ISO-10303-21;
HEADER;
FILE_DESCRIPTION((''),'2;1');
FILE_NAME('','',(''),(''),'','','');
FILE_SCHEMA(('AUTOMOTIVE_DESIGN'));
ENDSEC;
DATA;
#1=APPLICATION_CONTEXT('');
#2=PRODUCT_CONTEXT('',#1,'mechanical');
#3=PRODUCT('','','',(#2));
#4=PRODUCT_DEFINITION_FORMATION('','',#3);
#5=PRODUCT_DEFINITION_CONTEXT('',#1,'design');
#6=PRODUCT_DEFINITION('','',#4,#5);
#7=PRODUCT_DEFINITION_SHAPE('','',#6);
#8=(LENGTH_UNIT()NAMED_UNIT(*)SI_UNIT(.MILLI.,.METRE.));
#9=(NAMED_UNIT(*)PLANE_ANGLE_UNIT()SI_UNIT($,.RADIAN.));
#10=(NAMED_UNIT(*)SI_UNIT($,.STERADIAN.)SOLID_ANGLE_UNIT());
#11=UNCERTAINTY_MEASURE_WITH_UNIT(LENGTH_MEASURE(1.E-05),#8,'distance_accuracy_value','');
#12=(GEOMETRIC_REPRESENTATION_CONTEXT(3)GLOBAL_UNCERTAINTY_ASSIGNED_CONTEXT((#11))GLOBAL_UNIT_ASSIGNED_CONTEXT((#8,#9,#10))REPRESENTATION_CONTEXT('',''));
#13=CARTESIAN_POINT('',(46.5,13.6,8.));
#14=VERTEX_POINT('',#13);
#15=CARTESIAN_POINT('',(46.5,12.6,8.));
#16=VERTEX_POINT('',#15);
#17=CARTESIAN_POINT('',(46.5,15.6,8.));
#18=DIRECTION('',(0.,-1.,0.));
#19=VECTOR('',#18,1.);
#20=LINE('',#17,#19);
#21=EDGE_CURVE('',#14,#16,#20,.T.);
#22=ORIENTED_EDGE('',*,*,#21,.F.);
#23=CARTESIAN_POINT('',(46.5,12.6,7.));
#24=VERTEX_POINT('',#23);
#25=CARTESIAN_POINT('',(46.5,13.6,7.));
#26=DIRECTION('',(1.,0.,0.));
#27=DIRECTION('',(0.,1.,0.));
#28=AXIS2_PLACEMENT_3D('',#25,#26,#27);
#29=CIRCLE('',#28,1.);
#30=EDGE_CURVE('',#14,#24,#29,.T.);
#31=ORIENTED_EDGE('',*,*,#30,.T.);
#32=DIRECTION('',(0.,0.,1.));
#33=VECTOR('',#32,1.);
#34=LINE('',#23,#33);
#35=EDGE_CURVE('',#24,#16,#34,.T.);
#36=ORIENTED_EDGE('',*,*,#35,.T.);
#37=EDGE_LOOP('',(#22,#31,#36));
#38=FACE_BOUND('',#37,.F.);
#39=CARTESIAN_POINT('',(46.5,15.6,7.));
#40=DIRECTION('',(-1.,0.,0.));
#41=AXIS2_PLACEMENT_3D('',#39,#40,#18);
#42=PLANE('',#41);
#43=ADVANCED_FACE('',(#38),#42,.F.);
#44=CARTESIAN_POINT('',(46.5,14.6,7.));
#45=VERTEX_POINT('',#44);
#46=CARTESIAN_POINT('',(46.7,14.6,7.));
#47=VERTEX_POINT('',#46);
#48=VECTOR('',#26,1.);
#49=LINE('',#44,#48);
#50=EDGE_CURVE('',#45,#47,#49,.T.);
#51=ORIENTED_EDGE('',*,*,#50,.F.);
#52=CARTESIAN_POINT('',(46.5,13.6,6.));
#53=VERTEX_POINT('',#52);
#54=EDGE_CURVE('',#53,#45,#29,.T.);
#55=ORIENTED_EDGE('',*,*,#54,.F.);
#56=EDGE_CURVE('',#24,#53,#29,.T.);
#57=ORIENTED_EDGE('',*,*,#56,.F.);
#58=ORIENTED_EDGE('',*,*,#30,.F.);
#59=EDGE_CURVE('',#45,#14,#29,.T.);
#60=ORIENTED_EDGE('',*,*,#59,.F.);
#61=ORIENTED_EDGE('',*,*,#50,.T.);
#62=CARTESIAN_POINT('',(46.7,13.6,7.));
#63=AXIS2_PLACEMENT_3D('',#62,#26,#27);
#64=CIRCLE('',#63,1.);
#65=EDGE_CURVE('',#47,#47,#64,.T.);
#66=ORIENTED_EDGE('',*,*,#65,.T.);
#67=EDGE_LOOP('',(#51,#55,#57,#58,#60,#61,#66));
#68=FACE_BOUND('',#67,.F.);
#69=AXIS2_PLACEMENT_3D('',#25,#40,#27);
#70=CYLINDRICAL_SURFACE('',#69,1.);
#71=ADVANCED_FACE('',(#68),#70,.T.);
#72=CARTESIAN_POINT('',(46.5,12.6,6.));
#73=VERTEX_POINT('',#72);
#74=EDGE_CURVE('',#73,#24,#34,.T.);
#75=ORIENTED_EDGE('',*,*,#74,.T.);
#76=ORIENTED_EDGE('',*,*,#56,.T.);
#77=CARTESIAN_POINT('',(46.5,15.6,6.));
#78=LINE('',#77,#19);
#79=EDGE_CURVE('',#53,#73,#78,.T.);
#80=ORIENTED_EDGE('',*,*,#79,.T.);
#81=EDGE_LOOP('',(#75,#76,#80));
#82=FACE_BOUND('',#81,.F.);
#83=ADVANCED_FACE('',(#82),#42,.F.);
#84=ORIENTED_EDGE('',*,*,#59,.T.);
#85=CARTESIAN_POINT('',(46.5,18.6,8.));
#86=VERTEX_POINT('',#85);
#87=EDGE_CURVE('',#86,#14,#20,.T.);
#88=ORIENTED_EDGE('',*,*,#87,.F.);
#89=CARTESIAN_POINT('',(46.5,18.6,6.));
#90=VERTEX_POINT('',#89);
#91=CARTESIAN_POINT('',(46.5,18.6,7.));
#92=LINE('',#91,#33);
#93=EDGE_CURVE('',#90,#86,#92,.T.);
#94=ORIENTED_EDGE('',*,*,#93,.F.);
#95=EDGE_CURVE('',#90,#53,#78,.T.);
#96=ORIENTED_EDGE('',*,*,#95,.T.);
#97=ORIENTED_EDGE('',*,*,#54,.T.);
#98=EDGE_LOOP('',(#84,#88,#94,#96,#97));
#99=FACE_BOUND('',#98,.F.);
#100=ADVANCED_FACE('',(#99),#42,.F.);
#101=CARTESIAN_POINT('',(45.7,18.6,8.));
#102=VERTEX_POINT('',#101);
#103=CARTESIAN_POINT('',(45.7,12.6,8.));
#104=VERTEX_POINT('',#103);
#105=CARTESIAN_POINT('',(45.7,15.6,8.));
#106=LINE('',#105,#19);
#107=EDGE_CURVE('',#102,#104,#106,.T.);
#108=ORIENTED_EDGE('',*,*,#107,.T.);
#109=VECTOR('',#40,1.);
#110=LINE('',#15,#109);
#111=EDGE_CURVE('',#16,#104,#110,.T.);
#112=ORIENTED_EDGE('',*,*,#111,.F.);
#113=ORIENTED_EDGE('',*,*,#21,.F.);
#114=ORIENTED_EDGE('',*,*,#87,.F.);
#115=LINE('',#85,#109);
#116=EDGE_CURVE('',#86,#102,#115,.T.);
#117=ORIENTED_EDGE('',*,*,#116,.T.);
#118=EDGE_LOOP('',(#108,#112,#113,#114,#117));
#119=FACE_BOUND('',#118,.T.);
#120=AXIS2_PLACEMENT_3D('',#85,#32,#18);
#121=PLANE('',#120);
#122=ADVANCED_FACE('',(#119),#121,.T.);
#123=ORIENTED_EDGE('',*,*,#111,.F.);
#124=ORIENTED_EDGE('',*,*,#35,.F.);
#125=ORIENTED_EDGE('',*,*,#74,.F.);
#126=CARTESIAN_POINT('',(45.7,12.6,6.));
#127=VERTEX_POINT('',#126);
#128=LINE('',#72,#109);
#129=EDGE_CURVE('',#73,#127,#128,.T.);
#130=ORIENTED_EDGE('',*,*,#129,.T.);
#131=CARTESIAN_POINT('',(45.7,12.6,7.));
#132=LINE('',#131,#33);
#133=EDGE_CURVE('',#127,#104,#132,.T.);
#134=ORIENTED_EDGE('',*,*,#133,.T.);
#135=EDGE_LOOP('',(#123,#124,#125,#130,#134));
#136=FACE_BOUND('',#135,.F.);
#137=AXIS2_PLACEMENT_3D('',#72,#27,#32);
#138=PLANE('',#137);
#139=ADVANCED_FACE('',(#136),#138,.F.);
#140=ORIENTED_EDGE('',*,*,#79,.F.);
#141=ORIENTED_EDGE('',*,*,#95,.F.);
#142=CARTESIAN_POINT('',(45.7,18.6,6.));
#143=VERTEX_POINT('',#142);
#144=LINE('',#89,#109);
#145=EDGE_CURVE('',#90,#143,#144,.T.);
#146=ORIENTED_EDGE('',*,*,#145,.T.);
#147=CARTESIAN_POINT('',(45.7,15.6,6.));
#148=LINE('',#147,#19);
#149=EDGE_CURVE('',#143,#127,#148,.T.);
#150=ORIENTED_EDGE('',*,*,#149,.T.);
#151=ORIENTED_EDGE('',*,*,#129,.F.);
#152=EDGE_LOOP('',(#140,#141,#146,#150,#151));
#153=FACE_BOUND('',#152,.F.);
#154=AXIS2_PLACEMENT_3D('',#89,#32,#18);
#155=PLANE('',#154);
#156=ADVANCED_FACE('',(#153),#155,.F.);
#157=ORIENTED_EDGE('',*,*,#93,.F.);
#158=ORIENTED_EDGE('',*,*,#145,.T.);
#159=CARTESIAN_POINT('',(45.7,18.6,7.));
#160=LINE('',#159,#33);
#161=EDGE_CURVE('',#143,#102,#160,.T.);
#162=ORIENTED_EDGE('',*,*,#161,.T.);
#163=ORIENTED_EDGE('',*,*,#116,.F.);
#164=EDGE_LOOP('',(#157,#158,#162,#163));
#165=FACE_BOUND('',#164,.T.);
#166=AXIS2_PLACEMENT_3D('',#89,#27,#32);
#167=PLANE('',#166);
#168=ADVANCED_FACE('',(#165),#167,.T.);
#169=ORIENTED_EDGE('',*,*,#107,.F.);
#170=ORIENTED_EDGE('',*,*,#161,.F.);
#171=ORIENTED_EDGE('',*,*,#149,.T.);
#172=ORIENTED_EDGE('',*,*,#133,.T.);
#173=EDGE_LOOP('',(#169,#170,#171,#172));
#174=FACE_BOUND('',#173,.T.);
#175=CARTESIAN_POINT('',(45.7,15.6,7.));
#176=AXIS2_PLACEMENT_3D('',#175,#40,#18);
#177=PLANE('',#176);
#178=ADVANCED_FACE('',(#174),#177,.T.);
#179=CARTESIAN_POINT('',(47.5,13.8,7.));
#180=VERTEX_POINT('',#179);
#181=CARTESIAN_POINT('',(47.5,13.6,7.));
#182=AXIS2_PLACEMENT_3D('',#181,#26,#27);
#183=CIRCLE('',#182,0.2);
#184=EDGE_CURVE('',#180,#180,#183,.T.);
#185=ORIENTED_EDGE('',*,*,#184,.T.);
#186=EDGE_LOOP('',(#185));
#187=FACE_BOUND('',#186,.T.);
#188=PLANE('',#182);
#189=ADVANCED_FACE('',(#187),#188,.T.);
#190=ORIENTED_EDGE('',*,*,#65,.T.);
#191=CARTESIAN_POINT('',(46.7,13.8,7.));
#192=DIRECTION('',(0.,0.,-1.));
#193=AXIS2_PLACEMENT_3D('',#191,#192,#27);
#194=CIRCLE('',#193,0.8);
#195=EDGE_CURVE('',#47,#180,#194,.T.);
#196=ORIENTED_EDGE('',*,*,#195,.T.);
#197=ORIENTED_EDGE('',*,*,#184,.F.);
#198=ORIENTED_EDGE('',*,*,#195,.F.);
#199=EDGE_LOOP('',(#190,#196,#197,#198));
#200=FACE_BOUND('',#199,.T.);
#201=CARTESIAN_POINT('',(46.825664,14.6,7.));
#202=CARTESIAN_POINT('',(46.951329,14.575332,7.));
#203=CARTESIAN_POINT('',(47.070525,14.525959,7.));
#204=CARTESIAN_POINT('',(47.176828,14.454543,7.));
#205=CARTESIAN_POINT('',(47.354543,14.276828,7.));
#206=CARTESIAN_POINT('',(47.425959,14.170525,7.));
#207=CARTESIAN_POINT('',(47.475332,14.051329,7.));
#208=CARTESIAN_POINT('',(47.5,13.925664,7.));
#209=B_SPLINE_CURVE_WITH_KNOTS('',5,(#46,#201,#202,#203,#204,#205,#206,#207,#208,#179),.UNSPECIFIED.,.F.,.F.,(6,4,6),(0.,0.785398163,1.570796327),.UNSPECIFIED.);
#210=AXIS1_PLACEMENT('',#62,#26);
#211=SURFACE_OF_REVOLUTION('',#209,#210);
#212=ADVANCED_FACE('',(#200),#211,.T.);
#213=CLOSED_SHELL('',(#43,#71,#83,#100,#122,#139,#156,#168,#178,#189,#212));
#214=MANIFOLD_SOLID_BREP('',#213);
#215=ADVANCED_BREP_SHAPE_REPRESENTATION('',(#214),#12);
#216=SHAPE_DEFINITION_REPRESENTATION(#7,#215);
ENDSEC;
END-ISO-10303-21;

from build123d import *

# Parameters (mm, degrees)
SKETCH019_W             = 6
SKETCH019_H             = 2
PAD002_DEPTH            = 0.8
SKETCH020_R             = 1
PAD003_DEPTH            = 1
FILLET002_R             = 0.8
BODY005_PLACEMENT_ANGLE = 180


with BuildPart() as part:
    # Sketch019 → Pad002 (new body)
    with BuildSketch(Plane(origin=(-3, 16, 14), x_dir=(0, -1, 0), z_dir=(1, 0, 0))):
        with Locations((3, 1)):
            Rectangle(SKETCH019_W, SKETCH019_H)
    extrude(amount=PAD002_DEPTH)

    # Sketch020 (on Face5 of Pad002) → Pad003 (join)
    with BuildSketch(Plane(origin=(-3, 0, 0), x_dir=(0, 1, 0), z_dir=(-1, 0, 0))):
        with Locations((11, -13)):
            Circle(SKETCH020_R)
    extrude(amount=PAD003_DEPTH)

    # Fillet002
    fillet002_edges = [part.edges().sort_by_distance(p)[0] for p in [
        (-4, 10, 13),
    ]]
    fillet(fillet002_edges, radius=FILLET002_R)


with BuildPart() as part_1:
    # Body002 placement: moved
    add(part.part.moved(Location((-16, 0, 0))))


with BuildPart() as part_2:
    # Body005 placement: moved
    add(part_1.part.moved(Location((27.5, 2.6, 20))).rotate(Axis((27.5, 2.6, 20), (0, 1, 0)), BODY005_PLACEMENT_ANGLE))


solid = part_2.part
